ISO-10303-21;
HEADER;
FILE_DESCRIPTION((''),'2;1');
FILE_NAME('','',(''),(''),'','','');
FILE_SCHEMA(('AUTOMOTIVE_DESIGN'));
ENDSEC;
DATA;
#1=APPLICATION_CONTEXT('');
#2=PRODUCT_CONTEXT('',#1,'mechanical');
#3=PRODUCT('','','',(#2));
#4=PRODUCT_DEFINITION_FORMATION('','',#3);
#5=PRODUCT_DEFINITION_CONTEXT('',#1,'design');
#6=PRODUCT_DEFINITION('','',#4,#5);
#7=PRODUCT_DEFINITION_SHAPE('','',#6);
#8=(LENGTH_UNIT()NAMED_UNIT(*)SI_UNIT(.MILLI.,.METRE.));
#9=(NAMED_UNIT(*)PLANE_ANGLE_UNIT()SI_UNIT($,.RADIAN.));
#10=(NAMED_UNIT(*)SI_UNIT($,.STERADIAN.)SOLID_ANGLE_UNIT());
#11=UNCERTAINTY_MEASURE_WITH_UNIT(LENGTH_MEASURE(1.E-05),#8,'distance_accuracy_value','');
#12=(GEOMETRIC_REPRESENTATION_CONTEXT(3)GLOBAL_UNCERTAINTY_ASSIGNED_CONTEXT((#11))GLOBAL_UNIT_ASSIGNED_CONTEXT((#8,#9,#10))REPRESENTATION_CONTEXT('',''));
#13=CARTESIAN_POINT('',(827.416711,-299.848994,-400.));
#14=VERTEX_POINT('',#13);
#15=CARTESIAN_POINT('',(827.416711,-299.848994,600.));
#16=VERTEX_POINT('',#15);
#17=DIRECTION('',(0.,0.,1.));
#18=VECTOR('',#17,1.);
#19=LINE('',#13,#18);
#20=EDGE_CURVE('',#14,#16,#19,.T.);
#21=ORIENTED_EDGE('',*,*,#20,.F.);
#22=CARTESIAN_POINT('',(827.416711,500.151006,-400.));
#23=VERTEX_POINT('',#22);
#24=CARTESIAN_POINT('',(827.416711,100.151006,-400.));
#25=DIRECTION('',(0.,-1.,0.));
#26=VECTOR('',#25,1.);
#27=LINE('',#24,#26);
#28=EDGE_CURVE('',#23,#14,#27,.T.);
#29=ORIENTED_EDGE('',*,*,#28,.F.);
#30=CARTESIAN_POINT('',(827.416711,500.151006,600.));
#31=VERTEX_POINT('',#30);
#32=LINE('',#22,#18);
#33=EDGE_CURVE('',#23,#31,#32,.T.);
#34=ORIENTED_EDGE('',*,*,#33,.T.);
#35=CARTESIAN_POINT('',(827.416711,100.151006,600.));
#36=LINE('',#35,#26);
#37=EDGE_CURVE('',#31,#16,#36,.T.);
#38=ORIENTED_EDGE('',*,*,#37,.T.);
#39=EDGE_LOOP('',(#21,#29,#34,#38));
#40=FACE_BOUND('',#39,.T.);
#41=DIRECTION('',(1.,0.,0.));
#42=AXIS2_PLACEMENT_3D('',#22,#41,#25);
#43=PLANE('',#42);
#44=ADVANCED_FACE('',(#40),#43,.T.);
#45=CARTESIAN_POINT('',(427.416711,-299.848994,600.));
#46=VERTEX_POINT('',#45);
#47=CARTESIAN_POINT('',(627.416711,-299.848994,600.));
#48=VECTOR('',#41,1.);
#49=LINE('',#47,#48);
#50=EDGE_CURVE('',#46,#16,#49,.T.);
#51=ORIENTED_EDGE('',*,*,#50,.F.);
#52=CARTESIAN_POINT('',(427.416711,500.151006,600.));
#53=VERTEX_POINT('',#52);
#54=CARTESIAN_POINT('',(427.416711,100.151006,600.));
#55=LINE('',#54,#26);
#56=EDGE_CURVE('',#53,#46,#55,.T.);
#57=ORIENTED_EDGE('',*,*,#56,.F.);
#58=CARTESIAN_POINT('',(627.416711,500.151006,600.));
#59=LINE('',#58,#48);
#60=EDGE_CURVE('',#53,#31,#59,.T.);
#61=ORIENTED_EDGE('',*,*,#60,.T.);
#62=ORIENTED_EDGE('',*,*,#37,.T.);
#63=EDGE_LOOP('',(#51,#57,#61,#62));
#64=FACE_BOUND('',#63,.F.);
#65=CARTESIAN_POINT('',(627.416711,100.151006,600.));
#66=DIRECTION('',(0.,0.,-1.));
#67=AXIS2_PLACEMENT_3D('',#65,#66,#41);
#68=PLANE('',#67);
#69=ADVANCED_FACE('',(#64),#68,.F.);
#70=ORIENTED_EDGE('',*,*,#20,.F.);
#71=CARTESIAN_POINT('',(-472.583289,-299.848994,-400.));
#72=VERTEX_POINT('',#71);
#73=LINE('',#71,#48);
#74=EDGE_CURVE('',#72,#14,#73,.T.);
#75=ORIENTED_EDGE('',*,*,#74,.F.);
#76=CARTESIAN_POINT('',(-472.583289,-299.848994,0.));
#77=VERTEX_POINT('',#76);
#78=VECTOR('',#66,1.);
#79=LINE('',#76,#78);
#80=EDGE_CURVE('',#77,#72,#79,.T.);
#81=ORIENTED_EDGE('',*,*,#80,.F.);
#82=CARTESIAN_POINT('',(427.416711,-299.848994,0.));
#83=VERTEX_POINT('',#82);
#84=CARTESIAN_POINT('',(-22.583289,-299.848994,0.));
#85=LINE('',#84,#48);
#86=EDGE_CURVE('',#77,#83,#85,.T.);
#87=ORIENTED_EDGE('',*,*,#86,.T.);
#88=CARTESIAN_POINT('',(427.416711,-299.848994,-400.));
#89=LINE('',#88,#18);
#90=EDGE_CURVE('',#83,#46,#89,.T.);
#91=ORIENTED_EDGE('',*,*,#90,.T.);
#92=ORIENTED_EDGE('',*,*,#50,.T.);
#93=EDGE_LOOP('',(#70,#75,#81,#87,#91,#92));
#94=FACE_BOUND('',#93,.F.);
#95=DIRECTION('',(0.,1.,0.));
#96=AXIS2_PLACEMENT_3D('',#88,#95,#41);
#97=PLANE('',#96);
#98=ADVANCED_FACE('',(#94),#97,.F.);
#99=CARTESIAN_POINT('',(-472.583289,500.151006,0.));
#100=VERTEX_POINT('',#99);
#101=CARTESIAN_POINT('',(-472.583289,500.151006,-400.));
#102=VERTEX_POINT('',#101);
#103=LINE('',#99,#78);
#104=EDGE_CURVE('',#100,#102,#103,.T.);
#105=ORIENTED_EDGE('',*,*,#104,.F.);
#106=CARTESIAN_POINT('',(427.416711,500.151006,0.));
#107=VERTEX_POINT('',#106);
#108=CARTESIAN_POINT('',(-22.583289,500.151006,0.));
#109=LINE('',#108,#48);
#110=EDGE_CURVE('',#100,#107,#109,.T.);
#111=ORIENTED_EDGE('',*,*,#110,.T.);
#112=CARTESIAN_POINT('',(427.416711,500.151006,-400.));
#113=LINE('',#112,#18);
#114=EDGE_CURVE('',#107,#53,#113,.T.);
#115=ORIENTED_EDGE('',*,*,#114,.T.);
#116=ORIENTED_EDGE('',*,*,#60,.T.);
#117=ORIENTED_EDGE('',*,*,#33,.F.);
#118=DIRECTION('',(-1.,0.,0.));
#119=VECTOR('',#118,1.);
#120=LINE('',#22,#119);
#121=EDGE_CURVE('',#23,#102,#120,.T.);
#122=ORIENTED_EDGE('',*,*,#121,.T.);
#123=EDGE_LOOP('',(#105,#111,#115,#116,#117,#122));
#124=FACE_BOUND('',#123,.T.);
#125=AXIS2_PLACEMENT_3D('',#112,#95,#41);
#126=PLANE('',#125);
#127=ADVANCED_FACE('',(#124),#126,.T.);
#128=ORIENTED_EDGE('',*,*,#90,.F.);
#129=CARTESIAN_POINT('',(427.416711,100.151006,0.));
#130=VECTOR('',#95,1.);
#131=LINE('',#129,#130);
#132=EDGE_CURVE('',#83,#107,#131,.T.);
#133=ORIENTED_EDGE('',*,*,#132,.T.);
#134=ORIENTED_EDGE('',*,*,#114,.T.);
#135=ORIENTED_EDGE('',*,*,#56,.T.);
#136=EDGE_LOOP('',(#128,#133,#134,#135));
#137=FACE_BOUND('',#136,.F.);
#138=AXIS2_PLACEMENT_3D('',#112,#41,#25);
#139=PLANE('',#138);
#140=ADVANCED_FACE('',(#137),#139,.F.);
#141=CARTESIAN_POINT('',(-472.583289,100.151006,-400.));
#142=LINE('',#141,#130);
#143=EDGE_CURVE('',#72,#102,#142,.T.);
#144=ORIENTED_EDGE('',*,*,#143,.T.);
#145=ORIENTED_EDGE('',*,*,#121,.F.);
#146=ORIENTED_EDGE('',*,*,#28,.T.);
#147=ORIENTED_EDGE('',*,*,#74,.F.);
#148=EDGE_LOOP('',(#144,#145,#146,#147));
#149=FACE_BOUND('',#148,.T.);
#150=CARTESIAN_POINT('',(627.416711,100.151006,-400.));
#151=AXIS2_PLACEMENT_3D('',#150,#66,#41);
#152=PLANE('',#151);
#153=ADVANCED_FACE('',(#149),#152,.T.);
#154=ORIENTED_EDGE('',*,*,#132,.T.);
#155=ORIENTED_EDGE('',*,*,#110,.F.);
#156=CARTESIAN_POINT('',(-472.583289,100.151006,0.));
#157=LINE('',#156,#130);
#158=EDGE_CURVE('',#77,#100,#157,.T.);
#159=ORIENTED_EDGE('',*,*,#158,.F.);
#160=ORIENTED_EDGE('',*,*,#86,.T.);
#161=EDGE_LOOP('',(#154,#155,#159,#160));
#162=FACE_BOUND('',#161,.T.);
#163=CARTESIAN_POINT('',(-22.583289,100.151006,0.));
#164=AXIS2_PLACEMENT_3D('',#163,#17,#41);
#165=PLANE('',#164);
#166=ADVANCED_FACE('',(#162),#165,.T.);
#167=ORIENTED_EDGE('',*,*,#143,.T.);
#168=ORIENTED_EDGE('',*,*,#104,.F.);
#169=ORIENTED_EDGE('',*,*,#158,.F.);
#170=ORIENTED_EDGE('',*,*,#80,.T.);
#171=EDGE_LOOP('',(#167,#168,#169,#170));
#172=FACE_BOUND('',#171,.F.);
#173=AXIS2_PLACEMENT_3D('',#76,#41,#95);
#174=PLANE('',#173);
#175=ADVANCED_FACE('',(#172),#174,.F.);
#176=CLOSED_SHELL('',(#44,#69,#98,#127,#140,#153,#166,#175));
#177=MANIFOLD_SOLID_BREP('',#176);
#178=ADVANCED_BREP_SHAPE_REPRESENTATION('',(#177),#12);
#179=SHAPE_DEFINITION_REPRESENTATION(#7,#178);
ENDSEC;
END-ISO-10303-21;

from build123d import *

# Parameters (mm, degrees)
F0_W     = 900
F0_H     = 800
F1_DEPTH = 400
F2_W     = 400
F2_H     = 800
F3_DEPTH = 1000


with BuildPart() as f1:
    # F0 (on Top) → F1 (new body)
    with BuildSketch(Plane.XY):
        with Locations((-22.583289, 100.151006)):
            Rectangle(F0_W, F0_H)
    extrude(amount=-F1_DEPTH)

    # F2 (on face) → F3 (join)
    with BuildSketch(Plane(origin=(0, 0, -400), x_dir=(1, 0, 0), z_dir=(0, 0, -1))):
        with Locations((627.416711, -100.151006)):
            Rectangle(F2_W, F2_H)
    extrude(amount=-F3_DEPTH)


solid = f1.part
